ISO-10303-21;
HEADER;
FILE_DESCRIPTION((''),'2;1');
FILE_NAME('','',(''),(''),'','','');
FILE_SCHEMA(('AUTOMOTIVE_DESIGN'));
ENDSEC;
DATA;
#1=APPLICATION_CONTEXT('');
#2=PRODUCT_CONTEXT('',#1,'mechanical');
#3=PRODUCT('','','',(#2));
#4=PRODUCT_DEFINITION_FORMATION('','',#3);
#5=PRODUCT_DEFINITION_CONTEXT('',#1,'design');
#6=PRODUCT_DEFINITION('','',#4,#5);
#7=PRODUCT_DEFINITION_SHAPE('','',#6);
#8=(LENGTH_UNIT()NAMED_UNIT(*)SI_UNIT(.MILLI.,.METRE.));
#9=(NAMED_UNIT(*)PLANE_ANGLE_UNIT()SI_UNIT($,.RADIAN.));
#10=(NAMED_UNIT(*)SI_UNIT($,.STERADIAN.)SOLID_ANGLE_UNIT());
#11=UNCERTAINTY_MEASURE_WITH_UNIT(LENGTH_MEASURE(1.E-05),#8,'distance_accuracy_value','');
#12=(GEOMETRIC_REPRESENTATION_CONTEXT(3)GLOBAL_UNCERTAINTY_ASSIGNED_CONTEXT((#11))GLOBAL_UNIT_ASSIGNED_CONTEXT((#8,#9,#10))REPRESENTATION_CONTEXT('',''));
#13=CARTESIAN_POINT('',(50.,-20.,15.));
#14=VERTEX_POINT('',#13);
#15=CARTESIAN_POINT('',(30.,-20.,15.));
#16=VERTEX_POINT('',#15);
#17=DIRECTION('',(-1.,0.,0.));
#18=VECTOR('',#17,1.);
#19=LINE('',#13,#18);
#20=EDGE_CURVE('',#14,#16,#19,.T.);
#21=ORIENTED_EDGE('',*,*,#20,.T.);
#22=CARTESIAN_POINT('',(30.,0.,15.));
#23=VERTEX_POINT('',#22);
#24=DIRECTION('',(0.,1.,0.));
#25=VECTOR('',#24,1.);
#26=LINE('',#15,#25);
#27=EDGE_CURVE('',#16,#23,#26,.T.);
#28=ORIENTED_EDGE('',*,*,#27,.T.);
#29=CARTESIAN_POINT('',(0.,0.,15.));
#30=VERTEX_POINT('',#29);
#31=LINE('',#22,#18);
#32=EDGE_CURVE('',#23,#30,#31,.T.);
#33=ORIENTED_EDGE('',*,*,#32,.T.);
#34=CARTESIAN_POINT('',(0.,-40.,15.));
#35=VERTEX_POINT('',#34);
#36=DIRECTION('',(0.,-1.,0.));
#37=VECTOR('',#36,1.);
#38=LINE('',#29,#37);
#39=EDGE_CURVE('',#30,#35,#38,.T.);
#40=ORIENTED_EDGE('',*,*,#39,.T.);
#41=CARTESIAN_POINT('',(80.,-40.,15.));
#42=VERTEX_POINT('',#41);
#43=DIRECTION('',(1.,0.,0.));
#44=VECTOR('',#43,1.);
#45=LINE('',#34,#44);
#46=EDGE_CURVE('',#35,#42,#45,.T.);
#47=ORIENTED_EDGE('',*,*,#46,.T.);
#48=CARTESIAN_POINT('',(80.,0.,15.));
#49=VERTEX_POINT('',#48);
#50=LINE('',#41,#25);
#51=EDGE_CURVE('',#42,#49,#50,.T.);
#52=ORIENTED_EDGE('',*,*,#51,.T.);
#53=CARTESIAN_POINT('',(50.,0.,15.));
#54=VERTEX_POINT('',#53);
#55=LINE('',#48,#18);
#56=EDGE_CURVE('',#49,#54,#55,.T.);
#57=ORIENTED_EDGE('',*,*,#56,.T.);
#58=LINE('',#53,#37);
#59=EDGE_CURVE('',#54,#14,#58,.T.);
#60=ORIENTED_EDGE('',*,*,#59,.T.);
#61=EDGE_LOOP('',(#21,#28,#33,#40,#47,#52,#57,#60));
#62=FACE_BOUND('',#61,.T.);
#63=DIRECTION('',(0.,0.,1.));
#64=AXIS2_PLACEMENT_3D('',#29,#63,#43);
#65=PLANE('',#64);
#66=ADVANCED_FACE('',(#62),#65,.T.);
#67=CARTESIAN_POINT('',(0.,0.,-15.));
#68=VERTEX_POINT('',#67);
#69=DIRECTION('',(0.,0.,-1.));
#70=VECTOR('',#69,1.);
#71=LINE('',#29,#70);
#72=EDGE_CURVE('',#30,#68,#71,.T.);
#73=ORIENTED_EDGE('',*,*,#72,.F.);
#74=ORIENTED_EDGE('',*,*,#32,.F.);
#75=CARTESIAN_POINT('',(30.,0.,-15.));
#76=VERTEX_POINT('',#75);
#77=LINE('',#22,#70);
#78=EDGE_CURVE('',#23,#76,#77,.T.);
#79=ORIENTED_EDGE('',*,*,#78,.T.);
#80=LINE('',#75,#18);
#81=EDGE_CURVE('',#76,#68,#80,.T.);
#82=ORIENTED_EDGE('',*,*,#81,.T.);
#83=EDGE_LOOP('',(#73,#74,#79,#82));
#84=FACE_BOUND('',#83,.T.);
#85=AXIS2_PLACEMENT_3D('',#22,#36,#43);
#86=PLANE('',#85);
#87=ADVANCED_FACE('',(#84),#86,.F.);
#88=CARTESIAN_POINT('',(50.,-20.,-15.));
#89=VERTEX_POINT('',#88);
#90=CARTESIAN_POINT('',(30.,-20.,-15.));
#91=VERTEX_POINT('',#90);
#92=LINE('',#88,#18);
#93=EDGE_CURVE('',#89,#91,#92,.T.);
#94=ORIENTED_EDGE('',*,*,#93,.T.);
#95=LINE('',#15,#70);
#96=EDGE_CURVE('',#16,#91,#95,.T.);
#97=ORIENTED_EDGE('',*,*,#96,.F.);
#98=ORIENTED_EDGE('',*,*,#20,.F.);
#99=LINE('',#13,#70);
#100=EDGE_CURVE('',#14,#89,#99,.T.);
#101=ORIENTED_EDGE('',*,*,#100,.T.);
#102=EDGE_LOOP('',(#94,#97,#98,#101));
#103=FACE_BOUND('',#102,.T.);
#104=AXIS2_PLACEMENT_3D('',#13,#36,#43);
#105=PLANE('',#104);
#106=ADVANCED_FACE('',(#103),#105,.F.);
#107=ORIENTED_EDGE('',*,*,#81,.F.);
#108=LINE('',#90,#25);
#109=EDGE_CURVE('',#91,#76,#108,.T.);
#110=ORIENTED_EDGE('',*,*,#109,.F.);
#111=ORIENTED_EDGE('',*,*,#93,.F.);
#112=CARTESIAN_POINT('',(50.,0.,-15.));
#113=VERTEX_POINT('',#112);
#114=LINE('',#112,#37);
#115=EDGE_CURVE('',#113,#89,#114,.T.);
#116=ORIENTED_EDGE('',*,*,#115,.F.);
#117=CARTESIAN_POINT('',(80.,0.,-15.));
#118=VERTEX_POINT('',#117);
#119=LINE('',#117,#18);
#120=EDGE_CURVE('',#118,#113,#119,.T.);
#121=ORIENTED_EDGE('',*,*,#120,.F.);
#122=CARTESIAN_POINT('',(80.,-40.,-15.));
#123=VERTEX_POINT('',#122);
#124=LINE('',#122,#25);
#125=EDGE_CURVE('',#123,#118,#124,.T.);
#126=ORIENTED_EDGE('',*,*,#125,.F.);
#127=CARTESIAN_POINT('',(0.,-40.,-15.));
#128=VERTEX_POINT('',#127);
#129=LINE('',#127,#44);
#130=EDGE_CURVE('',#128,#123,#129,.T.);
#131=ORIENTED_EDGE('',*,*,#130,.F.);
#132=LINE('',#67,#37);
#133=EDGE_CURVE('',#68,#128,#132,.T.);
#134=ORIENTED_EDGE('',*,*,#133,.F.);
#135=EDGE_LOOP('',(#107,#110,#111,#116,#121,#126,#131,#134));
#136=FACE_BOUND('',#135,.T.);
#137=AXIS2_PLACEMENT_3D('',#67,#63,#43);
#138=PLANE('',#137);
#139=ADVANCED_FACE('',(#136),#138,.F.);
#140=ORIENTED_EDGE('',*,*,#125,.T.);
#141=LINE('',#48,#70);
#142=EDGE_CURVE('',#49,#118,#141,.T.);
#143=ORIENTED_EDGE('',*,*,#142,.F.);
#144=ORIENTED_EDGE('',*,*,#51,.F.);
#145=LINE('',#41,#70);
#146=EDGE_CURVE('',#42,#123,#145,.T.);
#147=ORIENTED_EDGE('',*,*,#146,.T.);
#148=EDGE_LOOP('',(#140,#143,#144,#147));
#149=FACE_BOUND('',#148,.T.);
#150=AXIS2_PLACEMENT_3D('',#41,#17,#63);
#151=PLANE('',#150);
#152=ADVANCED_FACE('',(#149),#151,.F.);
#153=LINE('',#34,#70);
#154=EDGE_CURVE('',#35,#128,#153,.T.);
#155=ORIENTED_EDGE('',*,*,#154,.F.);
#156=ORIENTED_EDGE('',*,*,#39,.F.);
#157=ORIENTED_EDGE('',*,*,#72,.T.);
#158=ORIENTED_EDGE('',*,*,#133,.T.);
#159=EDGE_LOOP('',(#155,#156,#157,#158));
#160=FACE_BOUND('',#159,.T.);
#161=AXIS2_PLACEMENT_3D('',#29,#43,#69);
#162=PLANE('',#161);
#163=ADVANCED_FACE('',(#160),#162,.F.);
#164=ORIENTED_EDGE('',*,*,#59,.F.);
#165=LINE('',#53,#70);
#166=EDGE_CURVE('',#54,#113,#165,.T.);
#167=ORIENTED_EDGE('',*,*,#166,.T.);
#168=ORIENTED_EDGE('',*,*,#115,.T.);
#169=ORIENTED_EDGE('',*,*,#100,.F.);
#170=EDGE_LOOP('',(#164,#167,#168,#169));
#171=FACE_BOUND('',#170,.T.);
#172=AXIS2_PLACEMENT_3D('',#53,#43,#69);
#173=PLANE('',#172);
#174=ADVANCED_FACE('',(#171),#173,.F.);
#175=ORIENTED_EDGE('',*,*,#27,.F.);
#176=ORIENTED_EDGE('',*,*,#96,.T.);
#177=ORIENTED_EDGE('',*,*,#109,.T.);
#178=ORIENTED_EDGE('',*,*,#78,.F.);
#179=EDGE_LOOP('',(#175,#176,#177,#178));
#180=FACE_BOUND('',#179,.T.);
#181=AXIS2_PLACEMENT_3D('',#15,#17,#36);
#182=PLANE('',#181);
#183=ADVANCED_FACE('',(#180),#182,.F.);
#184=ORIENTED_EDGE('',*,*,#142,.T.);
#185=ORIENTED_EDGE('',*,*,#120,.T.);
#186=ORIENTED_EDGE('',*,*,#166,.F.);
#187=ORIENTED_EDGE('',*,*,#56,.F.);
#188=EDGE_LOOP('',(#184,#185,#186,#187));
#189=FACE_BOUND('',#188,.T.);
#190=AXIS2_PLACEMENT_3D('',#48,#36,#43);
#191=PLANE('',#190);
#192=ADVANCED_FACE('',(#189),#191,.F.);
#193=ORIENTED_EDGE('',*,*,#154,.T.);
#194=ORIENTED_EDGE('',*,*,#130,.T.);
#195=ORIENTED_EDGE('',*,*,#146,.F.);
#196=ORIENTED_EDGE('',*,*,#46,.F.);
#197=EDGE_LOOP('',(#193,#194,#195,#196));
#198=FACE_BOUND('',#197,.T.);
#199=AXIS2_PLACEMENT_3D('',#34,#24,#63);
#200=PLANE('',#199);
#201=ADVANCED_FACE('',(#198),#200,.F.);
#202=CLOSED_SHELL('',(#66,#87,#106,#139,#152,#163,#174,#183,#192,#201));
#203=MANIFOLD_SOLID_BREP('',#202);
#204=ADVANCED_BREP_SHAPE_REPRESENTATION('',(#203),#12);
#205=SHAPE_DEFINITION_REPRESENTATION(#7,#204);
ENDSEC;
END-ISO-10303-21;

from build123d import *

# Parameters (mm, degrees)
BOSS_EXTRUDE1_DEPTH = 15


with BuildPart() as part:
    # Sketch2 → Boss-Extrude1 (new body, symmetric)
    with BuildSketch(Plane.XY):
        Polygon((0, 0), (0, -40), (80, -40), (80, 0), (50, 0), (50, -20), (30, -20), (30, 0), align=None)
    extrude(amount=BOSS_EXTRUDE1_DEPTH, both=True)


solid = part.part
